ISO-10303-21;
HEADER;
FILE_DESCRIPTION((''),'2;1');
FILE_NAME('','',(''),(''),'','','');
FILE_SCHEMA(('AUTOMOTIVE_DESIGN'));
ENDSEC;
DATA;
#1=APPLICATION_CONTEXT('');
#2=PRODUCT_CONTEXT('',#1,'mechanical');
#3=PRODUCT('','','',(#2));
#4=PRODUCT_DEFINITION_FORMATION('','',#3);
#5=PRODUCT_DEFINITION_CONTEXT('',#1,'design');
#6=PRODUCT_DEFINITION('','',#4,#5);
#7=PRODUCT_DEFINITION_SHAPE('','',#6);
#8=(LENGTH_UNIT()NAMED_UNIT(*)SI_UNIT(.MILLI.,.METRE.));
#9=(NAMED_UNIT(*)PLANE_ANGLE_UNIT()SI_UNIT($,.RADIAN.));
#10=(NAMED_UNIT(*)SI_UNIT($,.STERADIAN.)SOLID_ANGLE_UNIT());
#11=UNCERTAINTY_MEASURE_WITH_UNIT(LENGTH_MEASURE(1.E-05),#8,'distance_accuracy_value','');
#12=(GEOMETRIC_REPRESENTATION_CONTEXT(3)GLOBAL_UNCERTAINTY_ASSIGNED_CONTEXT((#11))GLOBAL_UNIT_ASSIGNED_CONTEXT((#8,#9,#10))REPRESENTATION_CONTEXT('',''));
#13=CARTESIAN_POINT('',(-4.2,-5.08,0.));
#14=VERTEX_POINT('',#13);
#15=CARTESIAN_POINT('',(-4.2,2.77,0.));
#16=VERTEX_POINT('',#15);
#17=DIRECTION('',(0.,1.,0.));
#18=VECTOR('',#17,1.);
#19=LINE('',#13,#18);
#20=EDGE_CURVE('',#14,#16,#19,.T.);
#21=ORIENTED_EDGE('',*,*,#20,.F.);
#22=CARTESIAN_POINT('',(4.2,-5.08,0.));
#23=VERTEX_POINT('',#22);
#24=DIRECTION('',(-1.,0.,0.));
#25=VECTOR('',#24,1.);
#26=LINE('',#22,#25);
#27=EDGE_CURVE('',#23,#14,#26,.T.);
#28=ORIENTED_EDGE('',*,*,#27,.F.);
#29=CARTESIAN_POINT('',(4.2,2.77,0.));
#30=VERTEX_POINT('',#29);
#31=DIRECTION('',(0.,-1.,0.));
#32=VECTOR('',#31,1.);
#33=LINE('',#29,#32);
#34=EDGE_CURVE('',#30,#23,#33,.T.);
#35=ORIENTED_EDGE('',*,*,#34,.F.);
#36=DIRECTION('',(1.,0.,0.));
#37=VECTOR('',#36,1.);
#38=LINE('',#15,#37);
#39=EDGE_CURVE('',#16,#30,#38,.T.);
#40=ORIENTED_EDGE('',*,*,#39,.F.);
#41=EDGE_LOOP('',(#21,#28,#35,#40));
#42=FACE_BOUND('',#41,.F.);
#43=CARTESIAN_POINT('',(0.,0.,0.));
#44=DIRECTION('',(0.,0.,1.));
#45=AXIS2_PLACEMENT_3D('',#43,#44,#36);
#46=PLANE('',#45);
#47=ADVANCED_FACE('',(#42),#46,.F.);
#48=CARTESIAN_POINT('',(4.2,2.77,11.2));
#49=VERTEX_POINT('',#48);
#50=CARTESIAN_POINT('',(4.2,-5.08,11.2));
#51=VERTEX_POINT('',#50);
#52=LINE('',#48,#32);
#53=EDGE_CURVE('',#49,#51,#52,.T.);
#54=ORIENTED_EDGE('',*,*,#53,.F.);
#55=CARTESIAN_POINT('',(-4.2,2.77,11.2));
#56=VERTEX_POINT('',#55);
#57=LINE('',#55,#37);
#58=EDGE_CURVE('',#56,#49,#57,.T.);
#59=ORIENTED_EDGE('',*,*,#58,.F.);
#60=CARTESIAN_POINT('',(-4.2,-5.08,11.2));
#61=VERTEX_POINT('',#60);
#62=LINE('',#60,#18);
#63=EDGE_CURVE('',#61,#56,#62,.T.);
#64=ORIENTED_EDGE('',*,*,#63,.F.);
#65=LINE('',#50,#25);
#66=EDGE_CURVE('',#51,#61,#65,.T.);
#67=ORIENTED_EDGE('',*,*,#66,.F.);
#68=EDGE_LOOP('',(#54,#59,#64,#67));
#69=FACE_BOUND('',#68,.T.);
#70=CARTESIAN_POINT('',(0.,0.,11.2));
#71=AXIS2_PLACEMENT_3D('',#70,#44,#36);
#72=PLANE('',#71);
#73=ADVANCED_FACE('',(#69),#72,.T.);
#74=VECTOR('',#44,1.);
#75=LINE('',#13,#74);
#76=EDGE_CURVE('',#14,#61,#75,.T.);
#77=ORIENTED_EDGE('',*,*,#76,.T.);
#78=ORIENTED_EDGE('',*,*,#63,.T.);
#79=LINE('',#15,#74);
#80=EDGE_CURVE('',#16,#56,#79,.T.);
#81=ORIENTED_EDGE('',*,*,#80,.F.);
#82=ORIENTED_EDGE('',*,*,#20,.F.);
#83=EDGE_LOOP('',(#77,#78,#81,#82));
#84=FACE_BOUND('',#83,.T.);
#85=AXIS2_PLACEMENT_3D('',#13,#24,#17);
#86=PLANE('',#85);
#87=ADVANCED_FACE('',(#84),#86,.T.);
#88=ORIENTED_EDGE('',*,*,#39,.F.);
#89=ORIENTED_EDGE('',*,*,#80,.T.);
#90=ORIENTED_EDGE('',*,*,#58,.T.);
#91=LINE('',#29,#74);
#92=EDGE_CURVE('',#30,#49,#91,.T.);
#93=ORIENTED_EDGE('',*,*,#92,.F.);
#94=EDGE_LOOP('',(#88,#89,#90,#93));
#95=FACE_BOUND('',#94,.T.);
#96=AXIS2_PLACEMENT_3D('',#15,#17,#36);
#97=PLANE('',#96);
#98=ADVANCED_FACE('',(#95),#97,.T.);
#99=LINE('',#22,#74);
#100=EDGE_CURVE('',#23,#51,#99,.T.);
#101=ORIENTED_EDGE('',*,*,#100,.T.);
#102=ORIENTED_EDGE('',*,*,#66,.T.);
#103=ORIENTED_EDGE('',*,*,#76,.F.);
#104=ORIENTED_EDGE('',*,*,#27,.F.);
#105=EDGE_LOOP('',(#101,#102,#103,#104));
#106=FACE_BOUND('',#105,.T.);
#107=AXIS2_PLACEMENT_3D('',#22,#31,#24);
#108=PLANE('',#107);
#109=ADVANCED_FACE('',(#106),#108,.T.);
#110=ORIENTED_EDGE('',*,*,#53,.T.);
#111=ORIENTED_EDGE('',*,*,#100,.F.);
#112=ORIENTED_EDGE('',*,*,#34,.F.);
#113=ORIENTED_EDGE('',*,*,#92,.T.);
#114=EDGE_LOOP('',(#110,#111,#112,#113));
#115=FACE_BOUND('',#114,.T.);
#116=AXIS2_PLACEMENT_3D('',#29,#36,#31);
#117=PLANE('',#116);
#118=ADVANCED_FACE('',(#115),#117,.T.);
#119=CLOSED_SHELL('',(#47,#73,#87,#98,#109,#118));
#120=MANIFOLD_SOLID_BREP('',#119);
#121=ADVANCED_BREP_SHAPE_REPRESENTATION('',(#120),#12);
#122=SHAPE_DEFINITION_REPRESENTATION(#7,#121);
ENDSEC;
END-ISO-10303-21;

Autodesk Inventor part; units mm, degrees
ref_plane "YZ Plane" through (0, 0, 0) normal (1, 0, 0) x (0, 1, 0)
ref_plane "XZ Plane" through (0, 0, 0) normal (0, 1, 0) x (-1, 0, 0)
ref_plane "XY Plane" through (0, 0, 0) normal (0, 0, 1) x (1, 0, 0)
sketch "B3F-31XX, 1571610-2_309" plane through (0, 0, 0) normal (0, 0, 1) x (1, 0, 0)
  line L0 (4.2, 2.77) -> (4.2, -5.08)
  line L1 (4.2, -5.08) -> (-4.2, -5.08)
  line L2 (-4.2, -5.08) -> (-4.2, 2.77)
  line L3 (-4.2, 2.77) -> (4.2, 2.77)
extrude "Extrusion1" add sketch "B3F-31XX, 1571610-2_309" along normal blind 11.2
properties part number "1571610-2"
